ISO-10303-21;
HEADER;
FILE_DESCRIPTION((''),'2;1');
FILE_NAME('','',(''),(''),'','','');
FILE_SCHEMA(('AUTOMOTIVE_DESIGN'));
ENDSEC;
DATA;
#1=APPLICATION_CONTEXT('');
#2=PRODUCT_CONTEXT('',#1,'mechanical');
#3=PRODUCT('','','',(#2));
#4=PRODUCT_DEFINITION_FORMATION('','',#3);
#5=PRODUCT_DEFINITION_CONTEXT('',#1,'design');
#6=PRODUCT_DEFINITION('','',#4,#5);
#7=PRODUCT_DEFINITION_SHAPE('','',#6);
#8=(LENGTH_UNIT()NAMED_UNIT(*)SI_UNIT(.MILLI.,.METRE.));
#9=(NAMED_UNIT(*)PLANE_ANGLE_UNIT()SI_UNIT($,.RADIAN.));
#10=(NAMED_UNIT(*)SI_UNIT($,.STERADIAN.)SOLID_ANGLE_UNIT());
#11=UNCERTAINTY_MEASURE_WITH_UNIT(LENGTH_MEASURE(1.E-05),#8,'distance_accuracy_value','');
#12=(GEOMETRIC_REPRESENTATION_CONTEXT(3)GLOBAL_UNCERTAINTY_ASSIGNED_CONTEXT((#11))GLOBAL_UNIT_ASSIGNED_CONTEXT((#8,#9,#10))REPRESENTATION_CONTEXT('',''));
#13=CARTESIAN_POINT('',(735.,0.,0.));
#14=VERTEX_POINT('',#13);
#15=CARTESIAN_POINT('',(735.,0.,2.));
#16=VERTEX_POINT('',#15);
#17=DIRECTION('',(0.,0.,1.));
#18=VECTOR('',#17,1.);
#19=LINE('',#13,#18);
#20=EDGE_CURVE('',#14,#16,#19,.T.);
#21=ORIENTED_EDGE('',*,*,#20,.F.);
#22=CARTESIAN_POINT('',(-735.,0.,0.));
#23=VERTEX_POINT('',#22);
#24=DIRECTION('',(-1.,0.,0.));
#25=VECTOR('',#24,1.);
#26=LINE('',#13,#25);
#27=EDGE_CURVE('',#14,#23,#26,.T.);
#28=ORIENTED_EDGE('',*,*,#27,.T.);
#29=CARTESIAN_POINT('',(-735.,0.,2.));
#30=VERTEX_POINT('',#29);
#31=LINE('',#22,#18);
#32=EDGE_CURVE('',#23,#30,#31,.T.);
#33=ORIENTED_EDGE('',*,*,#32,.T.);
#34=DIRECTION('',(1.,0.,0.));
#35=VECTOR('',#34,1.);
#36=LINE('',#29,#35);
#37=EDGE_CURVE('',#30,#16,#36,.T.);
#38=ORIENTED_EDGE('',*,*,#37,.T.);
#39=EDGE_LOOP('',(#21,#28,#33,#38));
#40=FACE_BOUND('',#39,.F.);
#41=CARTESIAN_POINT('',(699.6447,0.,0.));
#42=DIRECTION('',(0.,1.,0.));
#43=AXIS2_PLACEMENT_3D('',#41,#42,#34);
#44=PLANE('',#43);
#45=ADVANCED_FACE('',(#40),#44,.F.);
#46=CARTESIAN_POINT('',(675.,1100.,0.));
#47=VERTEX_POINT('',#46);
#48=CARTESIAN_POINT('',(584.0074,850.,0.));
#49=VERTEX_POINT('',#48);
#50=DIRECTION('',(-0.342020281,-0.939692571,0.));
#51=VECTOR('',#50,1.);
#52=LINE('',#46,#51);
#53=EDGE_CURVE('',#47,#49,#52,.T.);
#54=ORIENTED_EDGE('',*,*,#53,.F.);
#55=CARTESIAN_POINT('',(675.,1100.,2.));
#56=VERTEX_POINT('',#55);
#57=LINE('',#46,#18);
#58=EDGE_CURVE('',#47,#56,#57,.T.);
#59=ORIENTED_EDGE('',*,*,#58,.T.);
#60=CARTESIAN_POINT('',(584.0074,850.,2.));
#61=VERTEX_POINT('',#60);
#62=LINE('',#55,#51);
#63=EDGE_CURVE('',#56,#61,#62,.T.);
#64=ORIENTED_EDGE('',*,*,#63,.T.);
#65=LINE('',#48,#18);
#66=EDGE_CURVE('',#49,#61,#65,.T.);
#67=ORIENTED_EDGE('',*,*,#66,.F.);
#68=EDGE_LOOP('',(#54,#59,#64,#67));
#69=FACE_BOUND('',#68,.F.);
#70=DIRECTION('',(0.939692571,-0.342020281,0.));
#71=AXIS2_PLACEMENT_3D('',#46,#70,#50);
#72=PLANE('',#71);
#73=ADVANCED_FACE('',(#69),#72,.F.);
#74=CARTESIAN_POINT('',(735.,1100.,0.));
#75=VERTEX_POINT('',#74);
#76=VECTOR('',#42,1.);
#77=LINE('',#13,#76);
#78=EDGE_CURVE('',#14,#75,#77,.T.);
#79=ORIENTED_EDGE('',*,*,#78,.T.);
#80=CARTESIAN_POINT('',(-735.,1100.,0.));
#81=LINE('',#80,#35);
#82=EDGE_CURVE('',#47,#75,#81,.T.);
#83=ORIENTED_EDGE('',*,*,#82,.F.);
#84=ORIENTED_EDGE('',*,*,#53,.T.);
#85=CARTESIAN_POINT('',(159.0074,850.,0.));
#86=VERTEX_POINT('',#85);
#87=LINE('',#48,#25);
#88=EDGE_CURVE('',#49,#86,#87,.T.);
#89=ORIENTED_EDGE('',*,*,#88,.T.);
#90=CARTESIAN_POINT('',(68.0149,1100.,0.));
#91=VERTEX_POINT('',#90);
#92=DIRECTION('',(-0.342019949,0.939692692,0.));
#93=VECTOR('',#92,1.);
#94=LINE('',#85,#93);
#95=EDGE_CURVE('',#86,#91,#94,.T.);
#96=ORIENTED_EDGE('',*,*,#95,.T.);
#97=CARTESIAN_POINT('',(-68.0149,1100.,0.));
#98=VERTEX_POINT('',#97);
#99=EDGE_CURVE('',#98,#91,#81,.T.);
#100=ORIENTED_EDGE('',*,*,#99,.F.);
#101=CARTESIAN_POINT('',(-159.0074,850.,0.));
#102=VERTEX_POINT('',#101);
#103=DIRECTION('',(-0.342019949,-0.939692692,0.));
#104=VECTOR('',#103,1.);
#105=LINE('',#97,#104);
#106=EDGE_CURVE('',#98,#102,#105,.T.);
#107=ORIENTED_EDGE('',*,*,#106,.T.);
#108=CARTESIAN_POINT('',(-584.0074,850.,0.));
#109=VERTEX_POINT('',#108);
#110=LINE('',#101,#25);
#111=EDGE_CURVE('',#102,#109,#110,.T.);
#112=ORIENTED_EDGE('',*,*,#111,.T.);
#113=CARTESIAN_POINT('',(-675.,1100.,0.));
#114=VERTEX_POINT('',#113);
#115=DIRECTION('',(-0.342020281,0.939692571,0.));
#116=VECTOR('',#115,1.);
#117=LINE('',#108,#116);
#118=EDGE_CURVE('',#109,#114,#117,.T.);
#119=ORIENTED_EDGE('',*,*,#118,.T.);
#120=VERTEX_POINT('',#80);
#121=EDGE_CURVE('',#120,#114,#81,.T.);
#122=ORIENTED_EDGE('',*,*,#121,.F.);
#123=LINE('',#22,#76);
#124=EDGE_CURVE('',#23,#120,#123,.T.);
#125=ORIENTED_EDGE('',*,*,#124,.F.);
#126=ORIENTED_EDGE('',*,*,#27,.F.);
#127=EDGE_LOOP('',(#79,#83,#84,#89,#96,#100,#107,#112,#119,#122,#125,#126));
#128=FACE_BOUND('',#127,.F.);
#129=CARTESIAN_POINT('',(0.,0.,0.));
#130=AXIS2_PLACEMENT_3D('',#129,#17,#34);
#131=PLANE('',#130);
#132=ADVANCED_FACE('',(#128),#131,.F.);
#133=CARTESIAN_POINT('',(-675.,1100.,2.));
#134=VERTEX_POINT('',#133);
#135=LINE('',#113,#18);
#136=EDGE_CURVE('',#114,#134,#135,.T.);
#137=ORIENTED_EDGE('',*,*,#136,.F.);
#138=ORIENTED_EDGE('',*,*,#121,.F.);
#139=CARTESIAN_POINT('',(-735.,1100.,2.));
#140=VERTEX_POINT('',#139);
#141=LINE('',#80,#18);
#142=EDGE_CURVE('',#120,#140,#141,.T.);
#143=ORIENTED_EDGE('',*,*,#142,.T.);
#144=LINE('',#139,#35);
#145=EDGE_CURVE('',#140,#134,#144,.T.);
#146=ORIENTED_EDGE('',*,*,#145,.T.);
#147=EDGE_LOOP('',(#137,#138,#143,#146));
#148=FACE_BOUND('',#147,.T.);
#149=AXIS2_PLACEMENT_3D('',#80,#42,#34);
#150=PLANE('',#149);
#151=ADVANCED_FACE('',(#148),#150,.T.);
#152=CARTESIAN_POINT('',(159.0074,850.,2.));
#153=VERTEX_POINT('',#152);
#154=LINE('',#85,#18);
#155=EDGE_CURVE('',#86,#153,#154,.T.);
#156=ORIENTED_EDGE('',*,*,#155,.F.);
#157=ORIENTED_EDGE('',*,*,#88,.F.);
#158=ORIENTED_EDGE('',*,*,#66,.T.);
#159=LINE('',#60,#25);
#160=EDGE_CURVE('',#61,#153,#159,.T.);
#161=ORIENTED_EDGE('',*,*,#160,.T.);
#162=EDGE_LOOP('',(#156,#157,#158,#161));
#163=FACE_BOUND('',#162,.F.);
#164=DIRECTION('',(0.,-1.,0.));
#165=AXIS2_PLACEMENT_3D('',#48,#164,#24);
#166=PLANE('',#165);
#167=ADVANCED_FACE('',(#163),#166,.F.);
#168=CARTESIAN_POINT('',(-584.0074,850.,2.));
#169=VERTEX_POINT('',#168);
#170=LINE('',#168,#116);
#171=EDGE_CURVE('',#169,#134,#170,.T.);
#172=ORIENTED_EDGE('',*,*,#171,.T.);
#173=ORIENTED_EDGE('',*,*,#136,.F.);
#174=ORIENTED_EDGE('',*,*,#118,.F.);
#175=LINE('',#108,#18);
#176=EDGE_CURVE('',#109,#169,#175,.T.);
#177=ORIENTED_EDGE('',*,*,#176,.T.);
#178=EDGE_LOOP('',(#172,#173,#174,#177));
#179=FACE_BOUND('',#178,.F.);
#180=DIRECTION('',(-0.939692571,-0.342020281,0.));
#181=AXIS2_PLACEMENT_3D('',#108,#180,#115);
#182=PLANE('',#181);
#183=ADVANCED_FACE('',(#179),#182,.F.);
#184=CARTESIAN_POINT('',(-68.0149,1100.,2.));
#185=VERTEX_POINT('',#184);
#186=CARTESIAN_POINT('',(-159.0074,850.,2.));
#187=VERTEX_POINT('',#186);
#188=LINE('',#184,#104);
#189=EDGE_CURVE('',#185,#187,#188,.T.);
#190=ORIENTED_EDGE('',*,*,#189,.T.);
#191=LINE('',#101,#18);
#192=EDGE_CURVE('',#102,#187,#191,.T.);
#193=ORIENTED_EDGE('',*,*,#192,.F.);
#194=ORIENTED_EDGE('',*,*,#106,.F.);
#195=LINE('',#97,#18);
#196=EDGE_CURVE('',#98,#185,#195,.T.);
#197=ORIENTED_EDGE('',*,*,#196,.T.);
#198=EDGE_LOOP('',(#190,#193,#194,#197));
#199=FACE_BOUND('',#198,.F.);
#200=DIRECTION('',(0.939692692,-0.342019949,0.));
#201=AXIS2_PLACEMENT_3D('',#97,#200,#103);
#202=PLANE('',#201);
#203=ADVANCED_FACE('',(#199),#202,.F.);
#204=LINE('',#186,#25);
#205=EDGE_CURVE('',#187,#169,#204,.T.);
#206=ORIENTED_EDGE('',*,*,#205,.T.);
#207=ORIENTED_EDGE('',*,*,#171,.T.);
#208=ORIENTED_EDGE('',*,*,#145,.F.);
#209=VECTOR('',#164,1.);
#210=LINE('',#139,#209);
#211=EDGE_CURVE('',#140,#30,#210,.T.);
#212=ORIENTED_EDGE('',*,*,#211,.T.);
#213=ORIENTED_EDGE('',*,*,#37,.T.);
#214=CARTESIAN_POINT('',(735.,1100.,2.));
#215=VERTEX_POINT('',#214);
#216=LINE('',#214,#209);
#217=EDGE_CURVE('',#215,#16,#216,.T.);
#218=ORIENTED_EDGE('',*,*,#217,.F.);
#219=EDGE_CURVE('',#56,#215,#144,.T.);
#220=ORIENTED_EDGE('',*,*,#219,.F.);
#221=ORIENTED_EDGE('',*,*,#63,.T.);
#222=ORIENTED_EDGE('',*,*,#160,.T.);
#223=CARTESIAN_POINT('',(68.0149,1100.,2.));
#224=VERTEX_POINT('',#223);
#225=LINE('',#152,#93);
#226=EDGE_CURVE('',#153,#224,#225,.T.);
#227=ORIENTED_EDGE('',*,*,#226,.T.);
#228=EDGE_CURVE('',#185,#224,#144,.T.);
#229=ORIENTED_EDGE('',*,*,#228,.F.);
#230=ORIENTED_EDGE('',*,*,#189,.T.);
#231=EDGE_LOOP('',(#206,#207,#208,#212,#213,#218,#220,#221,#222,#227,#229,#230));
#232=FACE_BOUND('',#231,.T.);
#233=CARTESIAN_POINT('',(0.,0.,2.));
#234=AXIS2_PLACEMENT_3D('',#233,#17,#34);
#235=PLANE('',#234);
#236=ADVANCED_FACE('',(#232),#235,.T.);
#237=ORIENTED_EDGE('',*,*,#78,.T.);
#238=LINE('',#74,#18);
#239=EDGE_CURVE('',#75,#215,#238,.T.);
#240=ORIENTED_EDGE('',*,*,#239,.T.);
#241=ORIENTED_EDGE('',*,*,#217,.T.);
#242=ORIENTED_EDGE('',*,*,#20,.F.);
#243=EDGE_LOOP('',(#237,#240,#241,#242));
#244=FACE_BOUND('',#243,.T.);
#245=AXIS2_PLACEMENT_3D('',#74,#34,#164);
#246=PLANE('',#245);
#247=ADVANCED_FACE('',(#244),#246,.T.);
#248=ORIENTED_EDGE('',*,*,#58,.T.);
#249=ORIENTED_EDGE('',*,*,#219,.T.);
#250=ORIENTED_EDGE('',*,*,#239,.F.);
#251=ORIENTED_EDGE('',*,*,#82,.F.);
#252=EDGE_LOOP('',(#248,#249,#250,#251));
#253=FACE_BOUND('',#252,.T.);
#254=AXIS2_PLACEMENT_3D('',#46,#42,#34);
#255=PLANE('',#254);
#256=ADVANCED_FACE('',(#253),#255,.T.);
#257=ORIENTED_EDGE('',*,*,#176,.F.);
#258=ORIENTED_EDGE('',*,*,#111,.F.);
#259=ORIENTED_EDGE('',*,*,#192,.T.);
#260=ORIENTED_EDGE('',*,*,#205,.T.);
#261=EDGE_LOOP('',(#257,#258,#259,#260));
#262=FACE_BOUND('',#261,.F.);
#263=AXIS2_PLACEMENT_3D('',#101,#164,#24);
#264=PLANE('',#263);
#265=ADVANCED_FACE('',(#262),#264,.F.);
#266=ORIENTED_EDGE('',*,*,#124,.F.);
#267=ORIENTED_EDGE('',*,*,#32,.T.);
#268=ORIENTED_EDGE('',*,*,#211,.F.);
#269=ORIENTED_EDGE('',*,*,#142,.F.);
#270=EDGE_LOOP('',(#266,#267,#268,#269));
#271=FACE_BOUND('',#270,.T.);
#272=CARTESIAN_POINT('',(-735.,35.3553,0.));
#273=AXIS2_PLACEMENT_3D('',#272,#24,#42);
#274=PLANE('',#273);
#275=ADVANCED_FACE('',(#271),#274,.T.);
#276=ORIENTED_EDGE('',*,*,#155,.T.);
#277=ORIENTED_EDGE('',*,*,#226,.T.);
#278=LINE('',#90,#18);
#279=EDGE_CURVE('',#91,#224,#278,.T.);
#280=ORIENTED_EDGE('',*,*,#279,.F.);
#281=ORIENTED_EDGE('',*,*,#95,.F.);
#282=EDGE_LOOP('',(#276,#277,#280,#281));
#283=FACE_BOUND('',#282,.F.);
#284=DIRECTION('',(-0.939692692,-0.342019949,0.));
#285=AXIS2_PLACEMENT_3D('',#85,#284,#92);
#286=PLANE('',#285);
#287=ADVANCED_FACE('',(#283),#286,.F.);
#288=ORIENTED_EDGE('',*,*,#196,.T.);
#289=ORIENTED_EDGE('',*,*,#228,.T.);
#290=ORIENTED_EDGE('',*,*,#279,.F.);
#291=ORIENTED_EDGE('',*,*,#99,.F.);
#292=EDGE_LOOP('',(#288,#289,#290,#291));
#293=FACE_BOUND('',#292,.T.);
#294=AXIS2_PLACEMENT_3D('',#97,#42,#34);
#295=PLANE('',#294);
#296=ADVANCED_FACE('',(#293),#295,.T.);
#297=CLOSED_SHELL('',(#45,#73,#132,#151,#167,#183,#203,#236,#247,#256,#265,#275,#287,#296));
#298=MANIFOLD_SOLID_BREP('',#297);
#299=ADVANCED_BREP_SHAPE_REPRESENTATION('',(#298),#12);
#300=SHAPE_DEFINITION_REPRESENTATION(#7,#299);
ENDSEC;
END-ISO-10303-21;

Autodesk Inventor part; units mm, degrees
ref_plane "YZ Plane" through (0, 0, 0) normal (1, 0, 0) x (0, 1, 0)
ref_plane "XZ Plane" through (0, 0, 0) normal (0, 1, 0) x (-1, 0, 0)
ref_plane "XY Plane" through (0, 0, 0) normal (0, 0, 1) x (1, 0, 0)
sketch "Sketch3" plane through (0, 0, 0) normal (0, 0, 1) x (1, 0, 0)
  line L0 (735, 1100) -> (735, 35.3553)
  line L1 (735, 35.3553) -> (699.6447, 0)
  line L2 (699.6447, 0) -> (-699.6447, 0)
  line L3 (-699.6447, 0) -> (-735, 35.3553)
  line L4 (-735, 35.3553) -> (-735, 1100)
  line L5 (-735, 1100) -> (735, 1100)
  line L6 (0, 0) -> (0, 1100) construction
  line L7 (675, 1100) -> (584.0074, 850)
  line L8 (584.0074, 850) -> (159.0074, 850)
  line L9 (159.0074, 850) -> (68.0149, 1100)
  line L10 (-68.0149, 1100) -> (-159.0074, 850)
  line L11 (-159.0074, 850) -> (-584.0074, 850)
  line L12 (-584.0074, 850) -> (-675, 1100)
  line L13 (-735, 35.3553) -> (-735, 0)
  line L14 (-735, 0) -> (-699.6447, 0)
  line L15 (699.6447, 0) -> (735, 0)
  line L16 (735, 0) -> (735, 35.3553)
  dimension "d25" = 50
  dimension "d26" = 1100
  dimension "d27" = 1470
  dimension "d32" = 425
  dimension "d33" = 60
  dimension "d35" = 250
  dimension "d38" = 110
extrude "Plate3" add sketch "Sketch3" along normal blind 2 contours L0 L1 L2 L3 L4 L5 L12 L11 L10 L9 L8 L7 | L16 L15 L1 | L14 L13 L3
equation "\"d28\" = Thickness"
equation "\"BendRadius\" = Thickness"
equation "\"BendReliefWidth\" = Thickness"
equation "\"BendReliefDepth\" = 0.5 * Thickness"
equation "\"CornerReliefSize\" = 4 * Thickness"
equation "\"MinimumRemnant\" = 2 * Thickness"
equation "\"TransitionRadius\" = BendRadius"
equation "\"JacobiRadiusSize\" = BendRadius"
equation "\"GapSize\" = Thickness"
equation "\"Thickness\" = 2"
properties part number "GBK-RK-0015 partition 5"
